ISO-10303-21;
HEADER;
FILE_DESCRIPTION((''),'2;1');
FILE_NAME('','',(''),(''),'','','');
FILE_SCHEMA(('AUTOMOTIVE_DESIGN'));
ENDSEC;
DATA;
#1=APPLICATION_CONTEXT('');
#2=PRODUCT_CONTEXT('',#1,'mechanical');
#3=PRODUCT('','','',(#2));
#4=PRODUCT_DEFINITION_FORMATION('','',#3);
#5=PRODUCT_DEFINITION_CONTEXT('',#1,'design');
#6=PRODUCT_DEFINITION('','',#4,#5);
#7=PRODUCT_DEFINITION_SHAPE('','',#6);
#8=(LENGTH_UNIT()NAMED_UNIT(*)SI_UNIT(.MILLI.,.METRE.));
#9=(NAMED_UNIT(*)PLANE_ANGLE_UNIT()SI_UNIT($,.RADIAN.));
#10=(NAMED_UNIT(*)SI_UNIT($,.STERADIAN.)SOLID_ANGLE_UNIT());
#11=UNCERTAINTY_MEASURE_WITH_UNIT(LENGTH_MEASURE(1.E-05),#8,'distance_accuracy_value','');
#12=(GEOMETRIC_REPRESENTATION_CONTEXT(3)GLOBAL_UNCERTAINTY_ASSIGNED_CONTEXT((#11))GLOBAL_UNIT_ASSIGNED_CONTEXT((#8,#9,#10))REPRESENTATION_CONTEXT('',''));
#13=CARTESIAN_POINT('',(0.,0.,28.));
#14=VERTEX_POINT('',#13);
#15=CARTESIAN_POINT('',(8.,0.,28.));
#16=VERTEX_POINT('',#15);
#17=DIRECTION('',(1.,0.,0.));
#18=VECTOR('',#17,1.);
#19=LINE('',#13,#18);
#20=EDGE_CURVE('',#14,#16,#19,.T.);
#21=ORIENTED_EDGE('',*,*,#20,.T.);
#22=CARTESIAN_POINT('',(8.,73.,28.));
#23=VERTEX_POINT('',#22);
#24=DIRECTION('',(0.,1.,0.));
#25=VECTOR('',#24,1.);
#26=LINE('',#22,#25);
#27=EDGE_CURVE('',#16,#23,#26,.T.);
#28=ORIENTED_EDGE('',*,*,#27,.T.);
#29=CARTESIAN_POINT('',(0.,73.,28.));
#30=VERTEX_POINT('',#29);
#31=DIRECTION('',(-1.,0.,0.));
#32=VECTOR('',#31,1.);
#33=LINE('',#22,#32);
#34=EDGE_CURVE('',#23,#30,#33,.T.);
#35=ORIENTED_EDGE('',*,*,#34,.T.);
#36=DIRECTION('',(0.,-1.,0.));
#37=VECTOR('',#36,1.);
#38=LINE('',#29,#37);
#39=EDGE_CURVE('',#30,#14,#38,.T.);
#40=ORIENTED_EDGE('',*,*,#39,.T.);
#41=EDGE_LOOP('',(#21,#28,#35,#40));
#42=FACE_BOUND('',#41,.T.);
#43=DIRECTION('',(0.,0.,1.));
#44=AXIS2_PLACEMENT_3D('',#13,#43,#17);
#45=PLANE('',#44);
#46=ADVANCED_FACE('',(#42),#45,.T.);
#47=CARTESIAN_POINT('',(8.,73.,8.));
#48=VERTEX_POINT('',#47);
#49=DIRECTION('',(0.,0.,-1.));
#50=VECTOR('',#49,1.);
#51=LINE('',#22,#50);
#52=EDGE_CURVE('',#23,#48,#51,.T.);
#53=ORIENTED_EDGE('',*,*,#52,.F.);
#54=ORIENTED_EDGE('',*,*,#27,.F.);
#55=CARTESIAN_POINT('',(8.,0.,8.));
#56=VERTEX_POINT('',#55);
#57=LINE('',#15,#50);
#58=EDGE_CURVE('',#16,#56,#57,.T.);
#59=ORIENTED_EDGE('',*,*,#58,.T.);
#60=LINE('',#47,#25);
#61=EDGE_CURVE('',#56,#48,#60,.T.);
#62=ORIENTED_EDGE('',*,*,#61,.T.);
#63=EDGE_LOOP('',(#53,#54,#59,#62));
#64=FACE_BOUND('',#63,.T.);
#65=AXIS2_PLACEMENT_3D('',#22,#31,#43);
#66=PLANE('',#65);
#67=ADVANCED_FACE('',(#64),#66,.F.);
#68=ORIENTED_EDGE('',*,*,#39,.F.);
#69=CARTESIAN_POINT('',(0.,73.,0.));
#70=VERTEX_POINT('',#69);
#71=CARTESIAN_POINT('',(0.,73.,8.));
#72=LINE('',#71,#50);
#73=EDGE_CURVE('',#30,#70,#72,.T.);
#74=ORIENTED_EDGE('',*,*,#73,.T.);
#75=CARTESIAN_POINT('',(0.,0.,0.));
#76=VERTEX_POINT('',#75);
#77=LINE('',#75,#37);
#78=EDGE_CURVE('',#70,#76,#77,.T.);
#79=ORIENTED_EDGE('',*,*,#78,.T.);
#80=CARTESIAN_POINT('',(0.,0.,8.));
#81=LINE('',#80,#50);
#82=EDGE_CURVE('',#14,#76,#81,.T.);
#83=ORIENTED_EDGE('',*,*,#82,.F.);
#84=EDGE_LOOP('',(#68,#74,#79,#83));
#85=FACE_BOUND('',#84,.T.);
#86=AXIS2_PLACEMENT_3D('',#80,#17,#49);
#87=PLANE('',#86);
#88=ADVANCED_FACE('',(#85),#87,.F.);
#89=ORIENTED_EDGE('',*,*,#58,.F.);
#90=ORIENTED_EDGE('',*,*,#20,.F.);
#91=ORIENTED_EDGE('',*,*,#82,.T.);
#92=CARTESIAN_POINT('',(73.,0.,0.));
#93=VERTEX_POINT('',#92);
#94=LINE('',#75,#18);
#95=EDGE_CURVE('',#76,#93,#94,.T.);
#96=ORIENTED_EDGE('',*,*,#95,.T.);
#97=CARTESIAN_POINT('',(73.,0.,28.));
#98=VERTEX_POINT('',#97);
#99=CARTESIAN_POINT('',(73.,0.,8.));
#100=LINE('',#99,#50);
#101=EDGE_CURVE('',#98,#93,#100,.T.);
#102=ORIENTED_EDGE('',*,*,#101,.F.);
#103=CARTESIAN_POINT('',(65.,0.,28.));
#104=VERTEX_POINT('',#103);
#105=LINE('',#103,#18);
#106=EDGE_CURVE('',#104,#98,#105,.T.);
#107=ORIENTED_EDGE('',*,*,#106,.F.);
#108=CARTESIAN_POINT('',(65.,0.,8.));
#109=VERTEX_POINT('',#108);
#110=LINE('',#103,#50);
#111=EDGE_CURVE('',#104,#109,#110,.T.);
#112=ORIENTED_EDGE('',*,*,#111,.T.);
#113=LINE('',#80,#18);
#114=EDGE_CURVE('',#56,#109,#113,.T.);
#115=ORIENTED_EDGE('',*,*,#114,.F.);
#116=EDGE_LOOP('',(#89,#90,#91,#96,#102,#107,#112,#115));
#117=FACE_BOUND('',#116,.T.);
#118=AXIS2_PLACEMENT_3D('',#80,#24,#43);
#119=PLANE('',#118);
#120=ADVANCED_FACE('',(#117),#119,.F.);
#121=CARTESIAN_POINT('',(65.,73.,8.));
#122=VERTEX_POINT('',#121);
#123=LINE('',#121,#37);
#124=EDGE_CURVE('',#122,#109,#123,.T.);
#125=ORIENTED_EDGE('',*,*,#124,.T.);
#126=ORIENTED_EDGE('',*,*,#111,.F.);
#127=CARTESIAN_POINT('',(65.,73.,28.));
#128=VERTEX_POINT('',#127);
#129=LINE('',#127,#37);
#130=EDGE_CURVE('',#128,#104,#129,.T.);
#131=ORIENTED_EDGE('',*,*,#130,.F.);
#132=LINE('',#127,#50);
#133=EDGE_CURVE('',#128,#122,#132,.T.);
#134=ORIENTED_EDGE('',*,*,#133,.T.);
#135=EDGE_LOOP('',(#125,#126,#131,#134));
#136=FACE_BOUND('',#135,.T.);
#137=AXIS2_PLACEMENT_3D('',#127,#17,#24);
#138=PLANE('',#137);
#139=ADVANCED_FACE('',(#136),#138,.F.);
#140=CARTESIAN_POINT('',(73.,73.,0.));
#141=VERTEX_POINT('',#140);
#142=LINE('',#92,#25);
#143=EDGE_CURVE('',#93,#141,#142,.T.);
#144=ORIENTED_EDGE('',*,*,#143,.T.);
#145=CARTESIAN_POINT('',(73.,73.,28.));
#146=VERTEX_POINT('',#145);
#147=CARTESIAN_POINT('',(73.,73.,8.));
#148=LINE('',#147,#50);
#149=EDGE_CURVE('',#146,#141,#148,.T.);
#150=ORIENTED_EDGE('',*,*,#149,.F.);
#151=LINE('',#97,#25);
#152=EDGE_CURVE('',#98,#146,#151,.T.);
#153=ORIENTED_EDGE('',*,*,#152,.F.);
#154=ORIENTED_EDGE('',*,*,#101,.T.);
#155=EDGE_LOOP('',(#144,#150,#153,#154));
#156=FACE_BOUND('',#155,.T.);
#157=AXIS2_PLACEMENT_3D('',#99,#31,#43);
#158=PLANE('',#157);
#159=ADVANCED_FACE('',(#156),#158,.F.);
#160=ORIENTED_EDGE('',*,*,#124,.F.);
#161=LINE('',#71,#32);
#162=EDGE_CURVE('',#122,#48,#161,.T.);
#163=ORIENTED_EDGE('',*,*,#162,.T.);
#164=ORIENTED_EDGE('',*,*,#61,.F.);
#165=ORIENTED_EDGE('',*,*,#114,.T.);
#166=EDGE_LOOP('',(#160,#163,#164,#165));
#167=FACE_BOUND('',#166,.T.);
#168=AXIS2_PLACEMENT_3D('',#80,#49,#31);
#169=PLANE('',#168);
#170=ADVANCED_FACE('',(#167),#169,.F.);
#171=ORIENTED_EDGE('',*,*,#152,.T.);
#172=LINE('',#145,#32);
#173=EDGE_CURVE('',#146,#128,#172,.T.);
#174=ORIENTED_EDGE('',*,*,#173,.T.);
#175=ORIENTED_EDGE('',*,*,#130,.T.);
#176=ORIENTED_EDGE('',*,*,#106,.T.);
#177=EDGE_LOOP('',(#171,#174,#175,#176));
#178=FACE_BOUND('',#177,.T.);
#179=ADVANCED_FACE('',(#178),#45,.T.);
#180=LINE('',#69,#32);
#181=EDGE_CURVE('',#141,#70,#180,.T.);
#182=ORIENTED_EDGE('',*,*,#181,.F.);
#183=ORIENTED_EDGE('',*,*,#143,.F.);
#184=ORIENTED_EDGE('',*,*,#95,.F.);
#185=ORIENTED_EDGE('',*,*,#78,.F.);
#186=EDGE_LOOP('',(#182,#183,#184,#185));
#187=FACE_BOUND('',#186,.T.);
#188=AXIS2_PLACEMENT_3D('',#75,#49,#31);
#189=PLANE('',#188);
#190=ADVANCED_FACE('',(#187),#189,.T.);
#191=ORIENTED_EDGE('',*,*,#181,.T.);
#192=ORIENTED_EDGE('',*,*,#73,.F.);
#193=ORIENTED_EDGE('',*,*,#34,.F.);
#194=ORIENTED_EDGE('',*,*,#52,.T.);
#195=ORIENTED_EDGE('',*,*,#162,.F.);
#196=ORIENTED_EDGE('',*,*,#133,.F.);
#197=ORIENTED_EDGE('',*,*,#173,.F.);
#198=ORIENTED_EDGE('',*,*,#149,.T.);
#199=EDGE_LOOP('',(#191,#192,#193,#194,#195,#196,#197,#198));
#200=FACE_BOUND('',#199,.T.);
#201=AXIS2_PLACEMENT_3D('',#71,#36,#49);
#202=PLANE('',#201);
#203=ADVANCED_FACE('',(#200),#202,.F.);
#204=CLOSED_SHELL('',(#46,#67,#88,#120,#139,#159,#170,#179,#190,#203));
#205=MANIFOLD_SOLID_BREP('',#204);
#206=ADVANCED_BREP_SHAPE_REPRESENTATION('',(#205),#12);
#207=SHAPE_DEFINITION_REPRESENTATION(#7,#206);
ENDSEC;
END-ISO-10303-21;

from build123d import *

# Parameters (mm, degrees)
ESQUISSE1_W        = 73
ESQUISSE1_H        = 73
BOSS_EXTRU_1_DEPTH = 8
ESQUISSE2_W        = 8
ESQUISSE2_H        = 73
BOSS_EXTRU_2_DEPTH = 20


with BuildPart() as part:
    # Esquisse1 → Boss.-Extru.1 (new body)
    with BuildSketch(Plane.XY):
        with Locations((36.5, 36.5)):
            Rectangle(ESQUISSE1_W, ESQUISSE1_H)
    extrude(amount=BOSS_EXTRU_1_DEPTH)

    # Esquisse2 → Boss.-Extru.2 (add)
    with BuildSketch(Plane.XY.offset(8)):
        with Locations((4, 36.5)):
            Rectangle(ESQUISSE2_W, ESQUISSE2_H)
        with Locations((69, 36.5)):
            Rectangle(ESQUISSE2_W, ESQUISSE2_H)
    extrude(amount=BOSS_EXTRU_2_DEPTH)


solid = part.part
